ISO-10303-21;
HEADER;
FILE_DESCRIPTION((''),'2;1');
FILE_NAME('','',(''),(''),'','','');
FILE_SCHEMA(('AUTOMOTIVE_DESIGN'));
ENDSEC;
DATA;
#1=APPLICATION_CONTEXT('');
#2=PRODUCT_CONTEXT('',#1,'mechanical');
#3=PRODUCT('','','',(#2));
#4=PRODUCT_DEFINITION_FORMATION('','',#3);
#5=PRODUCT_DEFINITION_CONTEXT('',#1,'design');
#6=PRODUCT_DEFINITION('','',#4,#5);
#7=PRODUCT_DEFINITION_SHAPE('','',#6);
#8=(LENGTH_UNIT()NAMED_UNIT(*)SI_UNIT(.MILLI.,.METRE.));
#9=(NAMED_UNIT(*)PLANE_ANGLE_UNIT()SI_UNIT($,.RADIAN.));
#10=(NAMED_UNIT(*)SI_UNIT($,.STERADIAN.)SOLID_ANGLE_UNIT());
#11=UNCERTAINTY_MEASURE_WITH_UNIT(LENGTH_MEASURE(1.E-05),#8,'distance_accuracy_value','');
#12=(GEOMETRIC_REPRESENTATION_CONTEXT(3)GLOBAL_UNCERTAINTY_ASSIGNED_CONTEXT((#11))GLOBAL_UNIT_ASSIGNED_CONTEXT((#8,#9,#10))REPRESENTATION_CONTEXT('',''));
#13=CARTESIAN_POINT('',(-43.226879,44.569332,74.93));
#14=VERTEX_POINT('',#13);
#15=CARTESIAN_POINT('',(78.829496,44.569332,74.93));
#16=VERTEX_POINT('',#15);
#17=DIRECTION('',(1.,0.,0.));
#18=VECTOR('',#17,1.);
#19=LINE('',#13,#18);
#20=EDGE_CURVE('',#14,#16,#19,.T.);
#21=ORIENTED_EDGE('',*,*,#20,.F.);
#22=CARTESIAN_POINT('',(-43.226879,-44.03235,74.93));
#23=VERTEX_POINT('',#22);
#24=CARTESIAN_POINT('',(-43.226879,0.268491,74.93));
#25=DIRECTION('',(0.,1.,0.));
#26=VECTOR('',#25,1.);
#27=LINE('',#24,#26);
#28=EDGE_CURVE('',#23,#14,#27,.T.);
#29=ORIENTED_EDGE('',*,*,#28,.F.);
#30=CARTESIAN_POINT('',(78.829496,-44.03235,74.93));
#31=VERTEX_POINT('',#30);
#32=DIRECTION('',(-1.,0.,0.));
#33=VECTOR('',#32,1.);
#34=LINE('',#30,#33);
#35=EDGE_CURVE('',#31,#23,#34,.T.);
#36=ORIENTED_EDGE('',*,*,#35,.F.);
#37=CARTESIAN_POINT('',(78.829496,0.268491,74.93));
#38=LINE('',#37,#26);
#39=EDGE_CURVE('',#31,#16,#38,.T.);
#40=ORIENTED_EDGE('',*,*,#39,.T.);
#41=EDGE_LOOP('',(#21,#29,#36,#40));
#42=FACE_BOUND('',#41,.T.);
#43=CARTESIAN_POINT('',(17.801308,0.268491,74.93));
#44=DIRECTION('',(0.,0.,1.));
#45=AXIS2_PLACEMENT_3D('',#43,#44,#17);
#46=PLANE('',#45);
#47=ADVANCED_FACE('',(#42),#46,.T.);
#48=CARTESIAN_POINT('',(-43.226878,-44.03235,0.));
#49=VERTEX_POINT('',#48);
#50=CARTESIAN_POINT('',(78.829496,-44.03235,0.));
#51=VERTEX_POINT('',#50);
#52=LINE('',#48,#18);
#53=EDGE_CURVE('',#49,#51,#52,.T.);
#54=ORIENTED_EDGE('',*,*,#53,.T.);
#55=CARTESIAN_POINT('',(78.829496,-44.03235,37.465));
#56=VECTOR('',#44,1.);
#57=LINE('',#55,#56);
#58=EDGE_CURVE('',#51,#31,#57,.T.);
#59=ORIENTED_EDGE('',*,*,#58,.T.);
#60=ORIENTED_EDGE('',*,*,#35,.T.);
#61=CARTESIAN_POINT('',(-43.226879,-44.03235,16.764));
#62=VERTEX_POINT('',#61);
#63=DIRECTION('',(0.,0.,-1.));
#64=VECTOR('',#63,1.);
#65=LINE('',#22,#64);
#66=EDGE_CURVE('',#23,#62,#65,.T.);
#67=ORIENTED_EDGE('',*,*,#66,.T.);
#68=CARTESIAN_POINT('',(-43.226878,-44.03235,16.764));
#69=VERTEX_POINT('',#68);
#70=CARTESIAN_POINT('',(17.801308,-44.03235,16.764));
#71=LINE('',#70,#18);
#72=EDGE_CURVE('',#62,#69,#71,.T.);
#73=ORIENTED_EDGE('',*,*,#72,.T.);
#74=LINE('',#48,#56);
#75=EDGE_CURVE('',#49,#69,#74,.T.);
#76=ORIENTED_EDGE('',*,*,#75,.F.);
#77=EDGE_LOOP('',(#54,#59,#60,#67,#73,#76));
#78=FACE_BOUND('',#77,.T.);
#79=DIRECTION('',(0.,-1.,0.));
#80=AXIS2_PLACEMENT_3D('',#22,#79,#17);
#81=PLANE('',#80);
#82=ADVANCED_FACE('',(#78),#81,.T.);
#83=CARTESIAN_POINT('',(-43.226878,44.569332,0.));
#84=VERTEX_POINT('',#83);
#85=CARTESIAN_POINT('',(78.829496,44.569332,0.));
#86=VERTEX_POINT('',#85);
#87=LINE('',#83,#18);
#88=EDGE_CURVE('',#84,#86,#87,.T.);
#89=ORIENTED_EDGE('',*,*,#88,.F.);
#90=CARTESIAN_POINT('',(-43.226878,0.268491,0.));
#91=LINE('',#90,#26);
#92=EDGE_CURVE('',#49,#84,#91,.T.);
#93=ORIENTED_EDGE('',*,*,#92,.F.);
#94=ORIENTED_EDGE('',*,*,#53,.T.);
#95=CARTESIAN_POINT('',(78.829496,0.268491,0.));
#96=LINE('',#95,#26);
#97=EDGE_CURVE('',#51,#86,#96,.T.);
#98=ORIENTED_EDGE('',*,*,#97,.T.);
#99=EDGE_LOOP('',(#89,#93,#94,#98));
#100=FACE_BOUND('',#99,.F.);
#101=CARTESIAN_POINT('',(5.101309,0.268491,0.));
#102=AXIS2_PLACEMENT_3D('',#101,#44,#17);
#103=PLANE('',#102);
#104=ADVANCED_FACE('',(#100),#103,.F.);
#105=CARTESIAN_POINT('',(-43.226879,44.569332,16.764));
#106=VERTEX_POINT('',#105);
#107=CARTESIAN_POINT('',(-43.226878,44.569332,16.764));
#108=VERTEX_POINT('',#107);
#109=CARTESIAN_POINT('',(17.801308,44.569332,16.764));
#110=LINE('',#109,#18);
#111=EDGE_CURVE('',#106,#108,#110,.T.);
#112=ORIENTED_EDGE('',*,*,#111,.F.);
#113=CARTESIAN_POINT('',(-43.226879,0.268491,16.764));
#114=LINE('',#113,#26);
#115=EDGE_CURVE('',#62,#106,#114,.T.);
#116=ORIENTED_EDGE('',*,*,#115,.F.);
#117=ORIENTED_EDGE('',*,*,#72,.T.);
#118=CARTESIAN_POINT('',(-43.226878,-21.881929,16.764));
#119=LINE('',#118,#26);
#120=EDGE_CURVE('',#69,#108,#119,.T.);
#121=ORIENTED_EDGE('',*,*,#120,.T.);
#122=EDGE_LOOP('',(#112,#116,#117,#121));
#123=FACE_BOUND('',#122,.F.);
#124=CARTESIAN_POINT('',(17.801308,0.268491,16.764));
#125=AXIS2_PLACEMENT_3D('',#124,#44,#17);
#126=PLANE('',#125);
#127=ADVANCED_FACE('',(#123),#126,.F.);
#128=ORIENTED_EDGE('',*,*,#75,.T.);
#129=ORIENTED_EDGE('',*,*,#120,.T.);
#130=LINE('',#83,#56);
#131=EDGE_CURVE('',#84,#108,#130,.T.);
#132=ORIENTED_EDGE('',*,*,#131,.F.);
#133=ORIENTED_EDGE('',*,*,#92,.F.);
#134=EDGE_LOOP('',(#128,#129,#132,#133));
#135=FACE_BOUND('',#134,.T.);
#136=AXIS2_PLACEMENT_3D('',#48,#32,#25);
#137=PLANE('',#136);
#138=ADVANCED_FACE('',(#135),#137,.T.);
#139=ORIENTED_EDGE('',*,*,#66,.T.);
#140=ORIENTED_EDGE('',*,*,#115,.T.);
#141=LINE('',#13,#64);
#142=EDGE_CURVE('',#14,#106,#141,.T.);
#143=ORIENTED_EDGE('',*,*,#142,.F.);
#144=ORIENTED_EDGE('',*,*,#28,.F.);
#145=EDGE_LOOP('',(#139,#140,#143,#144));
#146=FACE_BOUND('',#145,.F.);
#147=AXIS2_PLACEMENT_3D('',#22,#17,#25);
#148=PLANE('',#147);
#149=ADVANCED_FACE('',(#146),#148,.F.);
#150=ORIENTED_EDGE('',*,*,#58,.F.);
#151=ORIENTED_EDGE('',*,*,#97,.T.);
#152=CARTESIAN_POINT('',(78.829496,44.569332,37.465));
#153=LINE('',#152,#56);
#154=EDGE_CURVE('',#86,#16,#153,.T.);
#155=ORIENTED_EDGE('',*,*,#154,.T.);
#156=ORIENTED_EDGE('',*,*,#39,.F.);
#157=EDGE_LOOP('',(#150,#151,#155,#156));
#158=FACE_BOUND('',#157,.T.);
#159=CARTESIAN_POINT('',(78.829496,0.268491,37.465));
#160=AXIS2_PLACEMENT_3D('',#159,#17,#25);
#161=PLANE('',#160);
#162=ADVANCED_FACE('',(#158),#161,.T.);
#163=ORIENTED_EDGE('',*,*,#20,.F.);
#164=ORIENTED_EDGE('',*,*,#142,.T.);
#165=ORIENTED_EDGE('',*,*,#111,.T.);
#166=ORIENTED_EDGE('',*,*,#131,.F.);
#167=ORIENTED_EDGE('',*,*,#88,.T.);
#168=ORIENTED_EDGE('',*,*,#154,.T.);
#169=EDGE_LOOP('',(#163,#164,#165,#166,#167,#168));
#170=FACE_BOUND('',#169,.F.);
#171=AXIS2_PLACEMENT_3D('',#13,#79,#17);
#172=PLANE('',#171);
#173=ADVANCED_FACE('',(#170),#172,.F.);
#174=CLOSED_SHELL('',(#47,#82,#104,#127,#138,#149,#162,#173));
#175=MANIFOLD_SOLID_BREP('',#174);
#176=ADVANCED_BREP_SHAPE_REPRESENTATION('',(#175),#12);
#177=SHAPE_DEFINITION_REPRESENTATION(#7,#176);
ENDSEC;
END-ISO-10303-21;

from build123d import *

# Parameters (mm, degrees)
F0_W      = 96.656375
F0_H      = 88.601682
F1_DEPTH  = 74.93
F1_FACE_W = 88.601682
F1_FACE_H = 74.93
F2_DEPTH  = 25.4
F2_FACE_W = 122.056374
F2_FACE_H = 88.601682
F3_DEPTH  = 58.166


with BuildPart() as f1:
    # F0 (on Top) → F1 (new body)
    with BuildSketch(Plane.XY):
        with Locations((5.101309, 0.268491)):
            Rectangle(F0_W, F0_H)
    extrude(amount=F1_DEPTH)

    # F1_face (on face) → F2 (join)
    with BuildSketch(Plane(origin=(53.429496, 0.268491, 37.465), x_dir=(0, 1, 0), z_dir=(1, 0, 0))):
        Rectangle(F1_FACE_W, F1_FACE_H)
    extrude(amount=F2_DEPTH)

    # F2_face (on face) → F3 (join)
    with BuildSketch(Plane(origin=(17.801308, 0.268491, 74.93), x_dir=(1, 0, 0), z_dir=(0, 0, 1))):
        Rectangle(F2_FACE_W, F2_FACE_H)
    extrude(amount=-F3_DEPTH)


solid = f1.part
